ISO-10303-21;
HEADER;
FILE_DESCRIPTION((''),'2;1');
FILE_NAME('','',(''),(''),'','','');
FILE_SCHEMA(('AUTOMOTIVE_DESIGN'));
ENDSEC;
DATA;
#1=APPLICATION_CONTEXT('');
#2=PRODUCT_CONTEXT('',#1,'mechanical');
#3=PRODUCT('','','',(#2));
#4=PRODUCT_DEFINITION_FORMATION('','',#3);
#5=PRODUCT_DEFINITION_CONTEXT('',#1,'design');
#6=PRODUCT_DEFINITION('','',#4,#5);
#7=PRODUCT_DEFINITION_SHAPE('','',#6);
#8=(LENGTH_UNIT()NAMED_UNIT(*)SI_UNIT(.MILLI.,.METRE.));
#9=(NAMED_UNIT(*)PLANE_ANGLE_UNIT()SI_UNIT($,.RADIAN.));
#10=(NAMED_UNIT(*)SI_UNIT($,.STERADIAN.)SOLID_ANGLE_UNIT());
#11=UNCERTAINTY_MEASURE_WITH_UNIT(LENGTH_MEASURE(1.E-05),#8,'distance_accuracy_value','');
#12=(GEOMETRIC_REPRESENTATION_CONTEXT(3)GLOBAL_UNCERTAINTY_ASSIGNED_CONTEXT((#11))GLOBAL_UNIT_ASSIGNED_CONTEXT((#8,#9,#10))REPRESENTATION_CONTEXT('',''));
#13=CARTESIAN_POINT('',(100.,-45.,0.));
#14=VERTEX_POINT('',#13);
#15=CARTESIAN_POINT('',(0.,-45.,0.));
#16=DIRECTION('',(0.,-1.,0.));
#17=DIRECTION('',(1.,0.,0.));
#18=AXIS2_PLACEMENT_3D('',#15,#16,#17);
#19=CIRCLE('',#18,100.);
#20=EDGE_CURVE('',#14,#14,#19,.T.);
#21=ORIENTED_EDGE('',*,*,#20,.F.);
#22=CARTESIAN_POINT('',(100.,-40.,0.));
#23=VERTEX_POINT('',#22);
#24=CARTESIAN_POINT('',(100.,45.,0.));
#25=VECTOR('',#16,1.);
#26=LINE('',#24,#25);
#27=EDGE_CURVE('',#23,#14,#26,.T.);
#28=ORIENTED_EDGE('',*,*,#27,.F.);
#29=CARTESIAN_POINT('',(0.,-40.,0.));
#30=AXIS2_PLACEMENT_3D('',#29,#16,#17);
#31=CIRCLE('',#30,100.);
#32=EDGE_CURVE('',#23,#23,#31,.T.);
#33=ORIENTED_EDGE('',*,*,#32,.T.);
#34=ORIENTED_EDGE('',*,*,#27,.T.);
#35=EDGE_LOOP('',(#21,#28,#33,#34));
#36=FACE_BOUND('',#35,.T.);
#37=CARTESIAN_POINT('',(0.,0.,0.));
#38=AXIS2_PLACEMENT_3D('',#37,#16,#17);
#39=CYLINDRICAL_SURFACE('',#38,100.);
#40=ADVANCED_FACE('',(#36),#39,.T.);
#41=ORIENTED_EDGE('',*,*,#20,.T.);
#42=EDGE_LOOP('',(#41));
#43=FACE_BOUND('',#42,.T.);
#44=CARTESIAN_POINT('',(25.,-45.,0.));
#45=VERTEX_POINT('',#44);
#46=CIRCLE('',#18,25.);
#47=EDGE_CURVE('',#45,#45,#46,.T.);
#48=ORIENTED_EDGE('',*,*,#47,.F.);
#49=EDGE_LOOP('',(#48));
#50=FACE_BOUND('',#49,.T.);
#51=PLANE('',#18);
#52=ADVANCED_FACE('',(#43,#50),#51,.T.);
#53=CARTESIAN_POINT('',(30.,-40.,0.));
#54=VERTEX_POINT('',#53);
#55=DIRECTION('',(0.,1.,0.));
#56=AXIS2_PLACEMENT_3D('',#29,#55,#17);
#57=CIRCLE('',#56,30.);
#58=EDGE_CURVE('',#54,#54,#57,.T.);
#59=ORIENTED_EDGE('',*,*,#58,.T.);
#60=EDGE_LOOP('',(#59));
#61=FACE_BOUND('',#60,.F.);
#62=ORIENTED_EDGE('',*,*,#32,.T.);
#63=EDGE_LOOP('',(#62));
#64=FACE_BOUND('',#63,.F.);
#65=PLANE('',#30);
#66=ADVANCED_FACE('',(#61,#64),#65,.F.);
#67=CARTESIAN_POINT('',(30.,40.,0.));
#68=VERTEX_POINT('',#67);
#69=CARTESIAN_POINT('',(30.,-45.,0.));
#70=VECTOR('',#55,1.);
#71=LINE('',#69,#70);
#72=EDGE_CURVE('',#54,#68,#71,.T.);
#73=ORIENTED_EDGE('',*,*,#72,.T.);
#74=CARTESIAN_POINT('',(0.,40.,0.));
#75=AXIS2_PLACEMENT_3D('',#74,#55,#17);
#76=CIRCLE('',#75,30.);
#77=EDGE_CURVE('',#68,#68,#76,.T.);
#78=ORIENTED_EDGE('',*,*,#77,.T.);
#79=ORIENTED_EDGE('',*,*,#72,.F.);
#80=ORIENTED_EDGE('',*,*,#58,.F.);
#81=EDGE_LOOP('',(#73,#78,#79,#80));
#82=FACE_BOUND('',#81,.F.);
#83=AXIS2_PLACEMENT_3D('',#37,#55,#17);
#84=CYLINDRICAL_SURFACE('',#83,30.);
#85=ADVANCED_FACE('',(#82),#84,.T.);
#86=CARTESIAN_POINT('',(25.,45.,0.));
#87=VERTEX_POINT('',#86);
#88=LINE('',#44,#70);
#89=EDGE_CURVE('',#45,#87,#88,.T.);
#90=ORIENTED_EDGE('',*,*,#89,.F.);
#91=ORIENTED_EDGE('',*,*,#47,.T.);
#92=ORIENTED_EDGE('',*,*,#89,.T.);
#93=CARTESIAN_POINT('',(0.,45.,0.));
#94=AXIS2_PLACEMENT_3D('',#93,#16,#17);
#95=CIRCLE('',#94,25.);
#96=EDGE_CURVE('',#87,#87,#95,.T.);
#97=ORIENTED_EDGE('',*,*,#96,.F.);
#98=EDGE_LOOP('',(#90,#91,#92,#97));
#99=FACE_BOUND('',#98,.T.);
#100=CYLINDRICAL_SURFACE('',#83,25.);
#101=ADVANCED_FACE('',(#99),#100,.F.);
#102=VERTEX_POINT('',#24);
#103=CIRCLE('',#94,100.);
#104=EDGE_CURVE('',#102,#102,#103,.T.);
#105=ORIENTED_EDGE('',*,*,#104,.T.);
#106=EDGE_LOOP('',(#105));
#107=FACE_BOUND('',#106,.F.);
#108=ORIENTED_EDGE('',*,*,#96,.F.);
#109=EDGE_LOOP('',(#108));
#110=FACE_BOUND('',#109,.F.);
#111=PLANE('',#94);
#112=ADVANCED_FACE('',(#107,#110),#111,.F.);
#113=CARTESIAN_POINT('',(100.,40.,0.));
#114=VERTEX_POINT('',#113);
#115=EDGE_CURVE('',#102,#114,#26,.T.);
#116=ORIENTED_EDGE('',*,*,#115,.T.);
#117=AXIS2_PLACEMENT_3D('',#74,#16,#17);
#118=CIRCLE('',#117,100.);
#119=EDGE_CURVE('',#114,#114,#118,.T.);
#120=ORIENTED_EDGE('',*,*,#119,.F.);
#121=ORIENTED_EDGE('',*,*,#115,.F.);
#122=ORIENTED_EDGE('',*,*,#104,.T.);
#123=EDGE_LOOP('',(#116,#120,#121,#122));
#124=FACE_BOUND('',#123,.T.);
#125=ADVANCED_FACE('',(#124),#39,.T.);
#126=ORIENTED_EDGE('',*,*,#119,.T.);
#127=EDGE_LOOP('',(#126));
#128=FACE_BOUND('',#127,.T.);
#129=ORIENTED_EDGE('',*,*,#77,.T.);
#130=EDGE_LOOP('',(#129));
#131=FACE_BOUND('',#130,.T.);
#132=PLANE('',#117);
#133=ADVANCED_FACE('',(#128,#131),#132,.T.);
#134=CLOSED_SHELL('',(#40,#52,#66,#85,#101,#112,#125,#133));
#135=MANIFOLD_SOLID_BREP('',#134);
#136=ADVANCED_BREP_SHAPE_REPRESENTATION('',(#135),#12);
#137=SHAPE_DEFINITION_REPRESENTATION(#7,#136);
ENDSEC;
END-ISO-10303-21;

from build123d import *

# Parameters (mm, degrees)
F0_R     = 100
F0_R_2   = 25
F1_DEPTH = 45
F2_T     = -5


with BuildPart() as f1:
    # F0 (on Front) → F1 (new body, symmetric)
    with BuildSketch(Plane.XZ):
        Circle(F0_R)
        Circle(F0_R_2, mode=Mode.SUBTRACT)
    extrude(amount=F1_DEPTH, both=True)

    # F2
    f2_openings = [f1.faces().sort_by_distance(p)[0] for p in [
        (-100, 0, 0),
    ]]
    offset(amount=F2_T, openings=f2_openings)


solid = f1.part
